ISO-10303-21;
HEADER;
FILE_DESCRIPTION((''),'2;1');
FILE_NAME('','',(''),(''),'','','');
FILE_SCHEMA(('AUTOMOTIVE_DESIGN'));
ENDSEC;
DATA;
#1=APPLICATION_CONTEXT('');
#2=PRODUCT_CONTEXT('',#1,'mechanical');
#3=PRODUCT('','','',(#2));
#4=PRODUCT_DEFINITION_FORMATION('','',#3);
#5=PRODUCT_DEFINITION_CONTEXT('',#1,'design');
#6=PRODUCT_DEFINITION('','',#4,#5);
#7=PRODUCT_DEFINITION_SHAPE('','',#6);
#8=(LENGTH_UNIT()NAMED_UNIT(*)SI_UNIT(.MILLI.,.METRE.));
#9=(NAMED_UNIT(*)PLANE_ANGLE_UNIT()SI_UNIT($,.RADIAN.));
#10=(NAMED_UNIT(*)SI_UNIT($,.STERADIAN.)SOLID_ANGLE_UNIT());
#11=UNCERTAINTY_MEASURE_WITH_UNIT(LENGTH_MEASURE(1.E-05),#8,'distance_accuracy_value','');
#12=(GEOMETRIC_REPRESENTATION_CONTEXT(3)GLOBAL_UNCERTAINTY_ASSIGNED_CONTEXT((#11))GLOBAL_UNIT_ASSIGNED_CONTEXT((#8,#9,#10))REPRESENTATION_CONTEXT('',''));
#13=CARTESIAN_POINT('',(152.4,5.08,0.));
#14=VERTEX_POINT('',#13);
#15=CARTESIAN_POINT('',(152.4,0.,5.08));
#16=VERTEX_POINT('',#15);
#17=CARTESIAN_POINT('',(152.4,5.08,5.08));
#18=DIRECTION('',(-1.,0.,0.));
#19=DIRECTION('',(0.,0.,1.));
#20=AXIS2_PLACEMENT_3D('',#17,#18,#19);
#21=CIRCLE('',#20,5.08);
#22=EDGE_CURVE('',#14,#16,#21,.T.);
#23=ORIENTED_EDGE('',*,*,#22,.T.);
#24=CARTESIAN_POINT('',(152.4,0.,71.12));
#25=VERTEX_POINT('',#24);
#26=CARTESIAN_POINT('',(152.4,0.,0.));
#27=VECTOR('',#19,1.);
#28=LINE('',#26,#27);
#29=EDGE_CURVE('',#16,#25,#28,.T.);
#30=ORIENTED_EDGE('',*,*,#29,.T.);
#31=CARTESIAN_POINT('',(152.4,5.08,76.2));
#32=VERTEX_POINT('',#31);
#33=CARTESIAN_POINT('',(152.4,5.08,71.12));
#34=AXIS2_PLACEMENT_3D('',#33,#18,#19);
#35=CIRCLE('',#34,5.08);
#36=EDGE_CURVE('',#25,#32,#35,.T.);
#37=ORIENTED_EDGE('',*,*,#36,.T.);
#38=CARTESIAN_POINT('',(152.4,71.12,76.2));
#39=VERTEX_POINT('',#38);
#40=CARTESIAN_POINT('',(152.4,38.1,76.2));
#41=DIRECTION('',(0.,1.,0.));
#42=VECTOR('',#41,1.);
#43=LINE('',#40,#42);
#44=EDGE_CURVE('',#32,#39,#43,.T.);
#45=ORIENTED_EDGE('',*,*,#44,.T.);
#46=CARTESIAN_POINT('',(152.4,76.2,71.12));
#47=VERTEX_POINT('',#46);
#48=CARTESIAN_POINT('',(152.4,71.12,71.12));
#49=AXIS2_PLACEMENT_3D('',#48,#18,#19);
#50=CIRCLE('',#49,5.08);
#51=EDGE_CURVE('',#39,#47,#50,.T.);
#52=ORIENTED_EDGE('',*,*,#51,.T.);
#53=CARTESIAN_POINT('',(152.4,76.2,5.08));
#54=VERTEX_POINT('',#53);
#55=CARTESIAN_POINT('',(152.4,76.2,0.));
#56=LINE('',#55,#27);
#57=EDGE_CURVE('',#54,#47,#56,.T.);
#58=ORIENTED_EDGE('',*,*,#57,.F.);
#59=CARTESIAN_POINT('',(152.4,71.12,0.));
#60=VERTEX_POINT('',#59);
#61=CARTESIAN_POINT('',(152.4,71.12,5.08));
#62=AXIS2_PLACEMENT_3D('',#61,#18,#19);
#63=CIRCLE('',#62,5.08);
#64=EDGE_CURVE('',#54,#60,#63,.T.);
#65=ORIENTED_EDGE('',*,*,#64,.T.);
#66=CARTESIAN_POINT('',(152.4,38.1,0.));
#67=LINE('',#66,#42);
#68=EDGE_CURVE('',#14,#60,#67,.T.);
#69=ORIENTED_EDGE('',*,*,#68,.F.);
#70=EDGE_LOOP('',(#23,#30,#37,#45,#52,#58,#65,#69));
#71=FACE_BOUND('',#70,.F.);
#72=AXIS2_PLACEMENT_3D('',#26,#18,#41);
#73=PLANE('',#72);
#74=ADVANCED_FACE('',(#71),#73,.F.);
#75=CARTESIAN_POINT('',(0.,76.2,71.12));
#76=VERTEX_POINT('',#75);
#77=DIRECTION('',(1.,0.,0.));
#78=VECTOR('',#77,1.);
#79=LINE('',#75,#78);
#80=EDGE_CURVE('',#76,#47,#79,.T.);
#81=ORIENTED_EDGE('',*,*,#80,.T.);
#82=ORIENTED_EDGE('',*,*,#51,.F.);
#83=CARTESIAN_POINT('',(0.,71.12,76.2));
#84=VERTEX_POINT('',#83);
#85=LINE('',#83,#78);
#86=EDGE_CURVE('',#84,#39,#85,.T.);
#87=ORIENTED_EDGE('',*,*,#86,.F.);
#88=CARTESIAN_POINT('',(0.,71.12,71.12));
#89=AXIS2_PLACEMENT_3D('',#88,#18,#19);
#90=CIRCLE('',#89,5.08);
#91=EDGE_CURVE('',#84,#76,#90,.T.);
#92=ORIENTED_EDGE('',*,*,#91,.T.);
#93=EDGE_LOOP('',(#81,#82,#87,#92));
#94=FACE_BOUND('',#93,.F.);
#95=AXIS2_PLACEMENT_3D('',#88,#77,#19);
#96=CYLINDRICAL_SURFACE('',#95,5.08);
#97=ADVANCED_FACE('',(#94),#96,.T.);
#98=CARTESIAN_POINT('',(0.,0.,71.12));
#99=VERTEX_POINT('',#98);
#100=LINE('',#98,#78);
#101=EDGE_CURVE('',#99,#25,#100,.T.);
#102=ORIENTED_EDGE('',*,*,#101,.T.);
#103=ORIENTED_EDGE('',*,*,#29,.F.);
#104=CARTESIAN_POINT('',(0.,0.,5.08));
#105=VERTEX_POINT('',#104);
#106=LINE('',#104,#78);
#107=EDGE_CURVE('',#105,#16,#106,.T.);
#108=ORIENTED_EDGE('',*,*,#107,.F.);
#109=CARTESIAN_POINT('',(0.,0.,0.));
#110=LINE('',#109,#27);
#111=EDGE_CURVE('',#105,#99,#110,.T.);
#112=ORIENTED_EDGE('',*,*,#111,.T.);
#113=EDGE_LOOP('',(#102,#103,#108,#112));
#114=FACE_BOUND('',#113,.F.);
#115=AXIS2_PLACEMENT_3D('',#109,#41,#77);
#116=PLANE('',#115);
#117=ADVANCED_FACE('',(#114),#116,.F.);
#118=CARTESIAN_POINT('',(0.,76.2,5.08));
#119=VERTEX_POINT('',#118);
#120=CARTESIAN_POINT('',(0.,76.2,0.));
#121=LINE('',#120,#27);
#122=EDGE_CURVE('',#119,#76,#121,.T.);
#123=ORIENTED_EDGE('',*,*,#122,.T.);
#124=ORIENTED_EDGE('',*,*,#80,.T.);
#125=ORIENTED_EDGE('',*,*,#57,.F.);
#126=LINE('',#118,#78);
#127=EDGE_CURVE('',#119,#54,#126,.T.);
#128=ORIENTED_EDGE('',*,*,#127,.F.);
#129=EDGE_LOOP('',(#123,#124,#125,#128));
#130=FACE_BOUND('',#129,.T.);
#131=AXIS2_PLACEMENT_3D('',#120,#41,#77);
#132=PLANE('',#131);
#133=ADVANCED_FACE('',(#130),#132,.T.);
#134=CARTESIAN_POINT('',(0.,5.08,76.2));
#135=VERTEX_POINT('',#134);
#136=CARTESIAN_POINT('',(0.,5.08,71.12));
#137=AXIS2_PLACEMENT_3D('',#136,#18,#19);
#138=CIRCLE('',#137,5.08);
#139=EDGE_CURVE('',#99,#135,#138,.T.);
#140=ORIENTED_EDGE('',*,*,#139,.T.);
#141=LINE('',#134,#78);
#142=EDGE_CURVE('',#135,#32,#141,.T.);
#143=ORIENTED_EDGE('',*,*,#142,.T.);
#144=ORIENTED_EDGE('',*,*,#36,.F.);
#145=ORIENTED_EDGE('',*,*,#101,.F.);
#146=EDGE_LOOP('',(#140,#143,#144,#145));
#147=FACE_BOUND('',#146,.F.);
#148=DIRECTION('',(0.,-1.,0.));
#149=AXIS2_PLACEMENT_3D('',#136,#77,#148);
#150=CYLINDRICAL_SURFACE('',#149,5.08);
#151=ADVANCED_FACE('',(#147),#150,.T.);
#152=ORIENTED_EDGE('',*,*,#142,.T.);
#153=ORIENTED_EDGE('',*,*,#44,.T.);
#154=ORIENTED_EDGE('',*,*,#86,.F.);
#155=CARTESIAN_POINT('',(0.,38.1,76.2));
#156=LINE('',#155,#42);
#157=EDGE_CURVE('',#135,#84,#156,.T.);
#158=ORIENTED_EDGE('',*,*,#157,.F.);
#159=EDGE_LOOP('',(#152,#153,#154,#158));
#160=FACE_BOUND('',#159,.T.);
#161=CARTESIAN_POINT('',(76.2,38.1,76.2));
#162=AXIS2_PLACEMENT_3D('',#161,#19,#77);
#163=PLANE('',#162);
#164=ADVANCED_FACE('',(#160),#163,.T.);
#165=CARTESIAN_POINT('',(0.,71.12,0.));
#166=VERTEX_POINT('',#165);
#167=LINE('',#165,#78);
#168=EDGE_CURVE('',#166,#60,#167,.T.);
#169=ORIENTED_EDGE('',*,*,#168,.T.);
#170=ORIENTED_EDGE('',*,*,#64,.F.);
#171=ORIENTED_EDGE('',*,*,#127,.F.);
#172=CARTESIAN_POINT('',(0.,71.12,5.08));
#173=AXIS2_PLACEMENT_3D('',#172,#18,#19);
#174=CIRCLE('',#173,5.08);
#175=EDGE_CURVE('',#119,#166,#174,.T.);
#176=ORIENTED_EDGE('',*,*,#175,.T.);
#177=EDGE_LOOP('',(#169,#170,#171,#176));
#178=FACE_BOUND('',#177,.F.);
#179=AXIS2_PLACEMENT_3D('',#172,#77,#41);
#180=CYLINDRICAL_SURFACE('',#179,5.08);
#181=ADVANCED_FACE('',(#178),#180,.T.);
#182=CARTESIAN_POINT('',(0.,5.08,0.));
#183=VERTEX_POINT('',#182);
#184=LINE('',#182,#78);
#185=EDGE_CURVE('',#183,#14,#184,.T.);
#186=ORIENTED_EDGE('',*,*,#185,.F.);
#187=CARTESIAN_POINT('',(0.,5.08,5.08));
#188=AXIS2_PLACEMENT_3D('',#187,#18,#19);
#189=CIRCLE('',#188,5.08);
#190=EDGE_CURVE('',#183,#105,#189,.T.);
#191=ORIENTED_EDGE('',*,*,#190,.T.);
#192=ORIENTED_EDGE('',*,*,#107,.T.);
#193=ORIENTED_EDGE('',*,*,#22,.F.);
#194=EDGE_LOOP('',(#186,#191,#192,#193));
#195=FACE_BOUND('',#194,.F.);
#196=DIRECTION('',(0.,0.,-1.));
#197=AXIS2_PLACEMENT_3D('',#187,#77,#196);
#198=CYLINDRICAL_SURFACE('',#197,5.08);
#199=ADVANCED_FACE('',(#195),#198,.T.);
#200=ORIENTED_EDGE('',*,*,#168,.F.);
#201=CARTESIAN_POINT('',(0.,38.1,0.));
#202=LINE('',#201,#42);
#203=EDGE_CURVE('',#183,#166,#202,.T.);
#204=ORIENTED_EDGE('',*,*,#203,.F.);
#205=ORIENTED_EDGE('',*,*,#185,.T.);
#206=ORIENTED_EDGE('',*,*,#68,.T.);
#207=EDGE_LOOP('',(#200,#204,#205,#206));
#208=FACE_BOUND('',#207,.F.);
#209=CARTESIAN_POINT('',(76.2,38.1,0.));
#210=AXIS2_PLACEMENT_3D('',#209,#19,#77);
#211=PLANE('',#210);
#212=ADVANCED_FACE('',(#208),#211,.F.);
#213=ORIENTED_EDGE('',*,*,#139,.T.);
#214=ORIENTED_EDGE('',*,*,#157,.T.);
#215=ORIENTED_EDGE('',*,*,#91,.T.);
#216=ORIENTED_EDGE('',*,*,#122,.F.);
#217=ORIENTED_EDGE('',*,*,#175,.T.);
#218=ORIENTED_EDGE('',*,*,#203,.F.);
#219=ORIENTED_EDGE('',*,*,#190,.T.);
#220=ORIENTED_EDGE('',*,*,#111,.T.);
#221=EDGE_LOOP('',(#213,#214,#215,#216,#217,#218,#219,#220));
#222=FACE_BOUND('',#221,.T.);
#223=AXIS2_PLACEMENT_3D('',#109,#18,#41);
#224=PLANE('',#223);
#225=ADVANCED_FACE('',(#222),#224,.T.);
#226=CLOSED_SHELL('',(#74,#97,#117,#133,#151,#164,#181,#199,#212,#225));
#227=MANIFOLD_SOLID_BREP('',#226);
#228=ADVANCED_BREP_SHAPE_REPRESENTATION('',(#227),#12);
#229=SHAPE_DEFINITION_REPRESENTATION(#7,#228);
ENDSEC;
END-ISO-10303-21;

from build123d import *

# Parameters (mm, degrees)
BOX_W       = 152.4
BOX_H       = 76.2
BOX_DEPTH   = 76.2
FILLET_R    = 5.08
FILLET001_R = 5.08
FILLET002_R = 5.08
FILLET003_R = 5.08


with BuildPart() as part:
    # Box → Box (join)
    with BuildSketch(Plane.XY):
        with Locations((76.2, 38.1)):
            Rectangle(BOX_W, BOX_H)
    extrude(amount=BOX_DEPTH)

    # Fillet
    fillet_edges = [part.edges().sort_by_distance(p)[0] for p in [
        (76.2, 0, 76.2),
    ]]
    fillet(fillet_edges, radius=FILLET_R)

    # Fillet001
    fillet001_edges = [part.edges().sort_by_distance(p)[0] for p in [
        (76.2, 76.2, 76.2),
    ]]
    fillet(fillet001_edges, radius=FILLET001_R)

    # Fillet002
    fillet002_edges = [part.edges().sort_by_distance(p)[0] for p in [
        (76.2, 76.2, 0),
    ]]
    fillet(fillet002_edges, radius=FILLET002_R)

    # Fillet003
    fillet003_edges = [part.edges().sort_by_distance(p)[0] for p in [
        (76.2, 0, 0),
    ]]
    fillet(fillet003_edges, radius=FILLET003_R)


solid = part.part
